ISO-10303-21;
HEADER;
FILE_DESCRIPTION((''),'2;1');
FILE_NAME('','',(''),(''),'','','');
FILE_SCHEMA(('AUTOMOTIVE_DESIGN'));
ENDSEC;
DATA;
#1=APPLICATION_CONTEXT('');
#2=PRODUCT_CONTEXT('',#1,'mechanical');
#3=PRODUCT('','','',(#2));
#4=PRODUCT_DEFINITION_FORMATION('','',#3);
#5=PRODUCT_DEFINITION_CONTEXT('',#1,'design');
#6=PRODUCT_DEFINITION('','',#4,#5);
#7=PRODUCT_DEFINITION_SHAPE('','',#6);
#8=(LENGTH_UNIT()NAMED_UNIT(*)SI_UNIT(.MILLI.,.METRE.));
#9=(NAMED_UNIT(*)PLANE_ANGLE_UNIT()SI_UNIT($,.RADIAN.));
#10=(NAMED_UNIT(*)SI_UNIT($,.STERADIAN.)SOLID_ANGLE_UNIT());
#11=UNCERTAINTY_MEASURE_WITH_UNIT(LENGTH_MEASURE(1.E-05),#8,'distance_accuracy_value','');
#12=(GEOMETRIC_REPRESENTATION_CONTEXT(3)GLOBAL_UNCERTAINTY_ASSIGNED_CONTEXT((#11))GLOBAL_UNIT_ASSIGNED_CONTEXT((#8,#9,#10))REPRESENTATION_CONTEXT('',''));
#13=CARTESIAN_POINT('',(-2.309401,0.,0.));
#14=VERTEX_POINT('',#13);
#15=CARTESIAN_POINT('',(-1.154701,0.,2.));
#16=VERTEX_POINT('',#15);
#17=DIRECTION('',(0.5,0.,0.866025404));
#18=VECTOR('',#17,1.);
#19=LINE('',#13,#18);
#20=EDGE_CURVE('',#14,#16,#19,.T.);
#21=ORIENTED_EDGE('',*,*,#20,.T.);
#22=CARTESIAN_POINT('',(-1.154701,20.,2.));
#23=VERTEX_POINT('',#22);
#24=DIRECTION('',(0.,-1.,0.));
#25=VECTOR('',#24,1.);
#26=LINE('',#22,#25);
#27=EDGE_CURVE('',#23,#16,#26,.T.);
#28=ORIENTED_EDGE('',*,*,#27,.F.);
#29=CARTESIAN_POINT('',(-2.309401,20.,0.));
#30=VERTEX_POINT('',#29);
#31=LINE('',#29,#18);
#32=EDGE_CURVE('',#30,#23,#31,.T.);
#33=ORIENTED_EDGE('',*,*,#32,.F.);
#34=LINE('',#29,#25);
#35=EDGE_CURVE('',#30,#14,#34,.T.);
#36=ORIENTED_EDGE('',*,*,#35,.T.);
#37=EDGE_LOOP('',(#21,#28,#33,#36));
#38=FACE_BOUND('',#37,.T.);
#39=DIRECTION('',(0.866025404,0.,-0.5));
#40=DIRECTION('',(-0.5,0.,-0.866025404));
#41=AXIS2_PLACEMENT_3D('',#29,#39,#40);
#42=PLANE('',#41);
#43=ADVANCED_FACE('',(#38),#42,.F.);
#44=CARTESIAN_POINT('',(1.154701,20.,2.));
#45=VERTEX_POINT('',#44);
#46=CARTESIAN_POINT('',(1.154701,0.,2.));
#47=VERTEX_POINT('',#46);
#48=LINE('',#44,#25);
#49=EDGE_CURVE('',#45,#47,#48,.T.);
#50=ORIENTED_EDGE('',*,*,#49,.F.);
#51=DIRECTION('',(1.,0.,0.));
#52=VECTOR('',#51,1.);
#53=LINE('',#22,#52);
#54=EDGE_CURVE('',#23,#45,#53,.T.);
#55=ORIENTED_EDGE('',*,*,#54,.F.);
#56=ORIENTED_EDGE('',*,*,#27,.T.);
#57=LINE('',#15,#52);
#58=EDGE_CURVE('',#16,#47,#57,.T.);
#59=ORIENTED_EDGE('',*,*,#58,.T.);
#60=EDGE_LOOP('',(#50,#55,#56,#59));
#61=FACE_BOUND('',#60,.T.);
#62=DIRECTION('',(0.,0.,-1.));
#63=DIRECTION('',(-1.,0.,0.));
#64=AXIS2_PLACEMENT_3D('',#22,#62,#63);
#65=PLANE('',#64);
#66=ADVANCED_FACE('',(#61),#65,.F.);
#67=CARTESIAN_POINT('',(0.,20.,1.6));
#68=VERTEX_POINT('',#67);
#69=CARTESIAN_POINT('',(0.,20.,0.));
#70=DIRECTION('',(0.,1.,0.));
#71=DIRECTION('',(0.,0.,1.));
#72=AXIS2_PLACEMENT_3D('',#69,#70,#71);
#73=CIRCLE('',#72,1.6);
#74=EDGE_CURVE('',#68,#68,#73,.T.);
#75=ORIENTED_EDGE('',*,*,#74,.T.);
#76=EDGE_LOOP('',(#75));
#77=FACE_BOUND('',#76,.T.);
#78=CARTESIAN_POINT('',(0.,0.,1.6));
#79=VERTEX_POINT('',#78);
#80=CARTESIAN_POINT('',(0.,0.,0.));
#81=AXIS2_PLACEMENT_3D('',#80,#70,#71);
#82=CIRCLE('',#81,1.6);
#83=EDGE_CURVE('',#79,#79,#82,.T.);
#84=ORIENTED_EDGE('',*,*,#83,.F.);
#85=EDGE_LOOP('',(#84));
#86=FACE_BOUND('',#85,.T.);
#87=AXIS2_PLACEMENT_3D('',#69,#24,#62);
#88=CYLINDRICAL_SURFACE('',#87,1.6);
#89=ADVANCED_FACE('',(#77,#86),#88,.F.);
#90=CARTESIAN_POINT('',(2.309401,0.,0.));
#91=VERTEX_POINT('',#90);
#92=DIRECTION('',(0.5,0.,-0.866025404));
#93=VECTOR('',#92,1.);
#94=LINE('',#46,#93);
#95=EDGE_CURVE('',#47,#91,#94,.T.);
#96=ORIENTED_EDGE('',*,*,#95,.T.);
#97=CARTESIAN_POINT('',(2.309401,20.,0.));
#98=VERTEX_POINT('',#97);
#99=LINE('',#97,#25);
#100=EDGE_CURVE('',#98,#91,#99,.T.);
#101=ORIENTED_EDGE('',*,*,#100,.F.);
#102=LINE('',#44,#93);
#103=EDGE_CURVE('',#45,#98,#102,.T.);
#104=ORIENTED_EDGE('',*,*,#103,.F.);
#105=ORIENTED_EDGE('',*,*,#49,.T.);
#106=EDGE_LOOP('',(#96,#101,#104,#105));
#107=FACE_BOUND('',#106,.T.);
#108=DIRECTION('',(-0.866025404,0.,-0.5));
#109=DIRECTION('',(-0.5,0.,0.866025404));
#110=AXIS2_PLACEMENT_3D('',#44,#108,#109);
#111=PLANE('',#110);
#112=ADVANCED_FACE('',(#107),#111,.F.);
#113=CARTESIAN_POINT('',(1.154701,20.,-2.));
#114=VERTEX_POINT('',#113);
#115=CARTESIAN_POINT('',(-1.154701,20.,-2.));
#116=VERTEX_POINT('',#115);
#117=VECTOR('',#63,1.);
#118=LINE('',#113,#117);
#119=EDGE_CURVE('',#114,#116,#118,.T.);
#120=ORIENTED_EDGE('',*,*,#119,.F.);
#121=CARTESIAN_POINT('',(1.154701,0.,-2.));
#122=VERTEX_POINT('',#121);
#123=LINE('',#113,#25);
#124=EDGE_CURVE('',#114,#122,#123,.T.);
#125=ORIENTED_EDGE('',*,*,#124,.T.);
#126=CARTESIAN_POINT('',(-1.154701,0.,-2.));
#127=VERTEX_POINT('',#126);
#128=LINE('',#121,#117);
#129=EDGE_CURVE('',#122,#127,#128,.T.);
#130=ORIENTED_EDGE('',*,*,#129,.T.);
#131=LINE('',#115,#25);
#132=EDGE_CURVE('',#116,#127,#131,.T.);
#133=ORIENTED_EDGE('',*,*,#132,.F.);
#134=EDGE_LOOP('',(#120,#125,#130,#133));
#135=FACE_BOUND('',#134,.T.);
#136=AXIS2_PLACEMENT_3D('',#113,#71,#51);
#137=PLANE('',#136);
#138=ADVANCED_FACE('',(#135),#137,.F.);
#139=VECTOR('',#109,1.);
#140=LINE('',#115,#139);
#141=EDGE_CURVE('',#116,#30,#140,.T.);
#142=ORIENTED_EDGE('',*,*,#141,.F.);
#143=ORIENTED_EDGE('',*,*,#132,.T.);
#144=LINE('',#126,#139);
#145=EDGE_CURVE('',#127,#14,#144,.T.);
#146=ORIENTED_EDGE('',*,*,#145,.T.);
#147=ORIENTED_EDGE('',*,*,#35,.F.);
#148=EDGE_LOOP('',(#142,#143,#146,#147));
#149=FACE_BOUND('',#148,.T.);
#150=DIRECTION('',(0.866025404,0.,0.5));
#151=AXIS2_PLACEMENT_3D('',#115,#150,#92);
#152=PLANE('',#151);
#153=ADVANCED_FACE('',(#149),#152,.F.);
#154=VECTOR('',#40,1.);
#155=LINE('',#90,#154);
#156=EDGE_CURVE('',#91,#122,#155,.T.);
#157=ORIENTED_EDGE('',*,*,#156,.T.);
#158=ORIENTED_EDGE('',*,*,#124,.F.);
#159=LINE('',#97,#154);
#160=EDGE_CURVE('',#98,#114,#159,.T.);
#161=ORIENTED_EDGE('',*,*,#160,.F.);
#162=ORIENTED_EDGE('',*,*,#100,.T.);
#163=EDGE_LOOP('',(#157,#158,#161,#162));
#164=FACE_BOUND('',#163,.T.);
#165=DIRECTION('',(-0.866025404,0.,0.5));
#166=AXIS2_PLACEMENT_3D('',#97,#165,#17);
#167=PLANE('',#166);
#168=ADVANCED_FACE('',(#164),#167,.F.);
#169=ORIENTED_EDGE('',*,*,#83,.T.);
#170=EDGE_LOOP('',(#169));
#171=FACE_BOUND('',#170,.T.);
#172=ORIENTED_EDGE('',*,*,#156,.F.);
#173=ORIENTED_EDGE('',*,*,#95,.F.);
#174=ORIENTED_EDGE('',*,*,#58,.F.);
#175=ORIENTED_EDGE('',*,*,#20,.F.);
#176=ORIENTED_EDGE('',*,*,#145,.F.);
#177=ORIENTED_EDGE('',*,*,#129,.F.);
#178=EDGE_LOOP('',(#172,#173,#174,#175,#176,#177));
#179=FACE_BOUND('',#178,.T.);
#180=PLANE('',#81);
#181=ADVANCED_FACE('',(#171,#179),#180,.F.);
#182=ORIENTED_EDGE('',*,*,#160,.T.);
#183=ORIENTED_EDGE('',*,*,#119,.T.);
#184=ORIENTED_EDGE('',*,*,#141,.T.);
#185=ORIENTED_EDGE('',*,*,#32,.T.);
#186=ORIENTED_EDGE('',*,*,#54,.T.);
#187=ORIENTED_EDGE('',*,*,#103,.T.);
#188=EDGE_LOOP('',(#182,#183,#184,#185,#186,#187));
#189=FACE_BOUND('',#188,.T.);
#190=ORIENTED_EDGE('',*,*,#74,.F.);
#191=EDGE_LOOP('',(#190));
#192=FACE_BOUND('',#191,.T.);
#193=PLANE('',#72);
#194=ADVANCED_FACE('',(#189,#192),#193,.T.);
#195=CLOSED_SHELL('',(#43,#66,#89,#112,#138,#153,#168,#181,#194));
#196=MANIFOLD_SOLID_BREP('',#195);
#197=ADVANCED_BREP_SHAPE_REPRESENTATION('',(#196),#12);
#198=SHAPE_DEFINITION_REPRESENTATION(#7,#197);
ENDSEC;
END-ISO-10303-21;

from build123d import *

# Parameters (mm, degrees)
SKETCH_1_R      = 1.6
EXTRUDE_2_DEPTH = 20


with BuildPart() as part:
    # 스케치1 → 보스-돌출2 (new body)
    with BuildSketch(Plane(origin=(0, 0, 0), x_dir=(1, 0, 0), z_dir=(0, 1, 0))):
        Polygon((2.309401077, 0), (1.154700538, 2), (-1.154700538, 2), (-2.309401077, 0), (-1.154700538, -2), (1.154700538, -2), align=None)
        with Locations(Location((0, 0, 0), (0, 0, 270))):
            Circle(SKETCH_1_R, mode=Mode.SUBTRACT)
    extrude(amount=EXTRUDE_2_DEPTH)


solid = part.part
